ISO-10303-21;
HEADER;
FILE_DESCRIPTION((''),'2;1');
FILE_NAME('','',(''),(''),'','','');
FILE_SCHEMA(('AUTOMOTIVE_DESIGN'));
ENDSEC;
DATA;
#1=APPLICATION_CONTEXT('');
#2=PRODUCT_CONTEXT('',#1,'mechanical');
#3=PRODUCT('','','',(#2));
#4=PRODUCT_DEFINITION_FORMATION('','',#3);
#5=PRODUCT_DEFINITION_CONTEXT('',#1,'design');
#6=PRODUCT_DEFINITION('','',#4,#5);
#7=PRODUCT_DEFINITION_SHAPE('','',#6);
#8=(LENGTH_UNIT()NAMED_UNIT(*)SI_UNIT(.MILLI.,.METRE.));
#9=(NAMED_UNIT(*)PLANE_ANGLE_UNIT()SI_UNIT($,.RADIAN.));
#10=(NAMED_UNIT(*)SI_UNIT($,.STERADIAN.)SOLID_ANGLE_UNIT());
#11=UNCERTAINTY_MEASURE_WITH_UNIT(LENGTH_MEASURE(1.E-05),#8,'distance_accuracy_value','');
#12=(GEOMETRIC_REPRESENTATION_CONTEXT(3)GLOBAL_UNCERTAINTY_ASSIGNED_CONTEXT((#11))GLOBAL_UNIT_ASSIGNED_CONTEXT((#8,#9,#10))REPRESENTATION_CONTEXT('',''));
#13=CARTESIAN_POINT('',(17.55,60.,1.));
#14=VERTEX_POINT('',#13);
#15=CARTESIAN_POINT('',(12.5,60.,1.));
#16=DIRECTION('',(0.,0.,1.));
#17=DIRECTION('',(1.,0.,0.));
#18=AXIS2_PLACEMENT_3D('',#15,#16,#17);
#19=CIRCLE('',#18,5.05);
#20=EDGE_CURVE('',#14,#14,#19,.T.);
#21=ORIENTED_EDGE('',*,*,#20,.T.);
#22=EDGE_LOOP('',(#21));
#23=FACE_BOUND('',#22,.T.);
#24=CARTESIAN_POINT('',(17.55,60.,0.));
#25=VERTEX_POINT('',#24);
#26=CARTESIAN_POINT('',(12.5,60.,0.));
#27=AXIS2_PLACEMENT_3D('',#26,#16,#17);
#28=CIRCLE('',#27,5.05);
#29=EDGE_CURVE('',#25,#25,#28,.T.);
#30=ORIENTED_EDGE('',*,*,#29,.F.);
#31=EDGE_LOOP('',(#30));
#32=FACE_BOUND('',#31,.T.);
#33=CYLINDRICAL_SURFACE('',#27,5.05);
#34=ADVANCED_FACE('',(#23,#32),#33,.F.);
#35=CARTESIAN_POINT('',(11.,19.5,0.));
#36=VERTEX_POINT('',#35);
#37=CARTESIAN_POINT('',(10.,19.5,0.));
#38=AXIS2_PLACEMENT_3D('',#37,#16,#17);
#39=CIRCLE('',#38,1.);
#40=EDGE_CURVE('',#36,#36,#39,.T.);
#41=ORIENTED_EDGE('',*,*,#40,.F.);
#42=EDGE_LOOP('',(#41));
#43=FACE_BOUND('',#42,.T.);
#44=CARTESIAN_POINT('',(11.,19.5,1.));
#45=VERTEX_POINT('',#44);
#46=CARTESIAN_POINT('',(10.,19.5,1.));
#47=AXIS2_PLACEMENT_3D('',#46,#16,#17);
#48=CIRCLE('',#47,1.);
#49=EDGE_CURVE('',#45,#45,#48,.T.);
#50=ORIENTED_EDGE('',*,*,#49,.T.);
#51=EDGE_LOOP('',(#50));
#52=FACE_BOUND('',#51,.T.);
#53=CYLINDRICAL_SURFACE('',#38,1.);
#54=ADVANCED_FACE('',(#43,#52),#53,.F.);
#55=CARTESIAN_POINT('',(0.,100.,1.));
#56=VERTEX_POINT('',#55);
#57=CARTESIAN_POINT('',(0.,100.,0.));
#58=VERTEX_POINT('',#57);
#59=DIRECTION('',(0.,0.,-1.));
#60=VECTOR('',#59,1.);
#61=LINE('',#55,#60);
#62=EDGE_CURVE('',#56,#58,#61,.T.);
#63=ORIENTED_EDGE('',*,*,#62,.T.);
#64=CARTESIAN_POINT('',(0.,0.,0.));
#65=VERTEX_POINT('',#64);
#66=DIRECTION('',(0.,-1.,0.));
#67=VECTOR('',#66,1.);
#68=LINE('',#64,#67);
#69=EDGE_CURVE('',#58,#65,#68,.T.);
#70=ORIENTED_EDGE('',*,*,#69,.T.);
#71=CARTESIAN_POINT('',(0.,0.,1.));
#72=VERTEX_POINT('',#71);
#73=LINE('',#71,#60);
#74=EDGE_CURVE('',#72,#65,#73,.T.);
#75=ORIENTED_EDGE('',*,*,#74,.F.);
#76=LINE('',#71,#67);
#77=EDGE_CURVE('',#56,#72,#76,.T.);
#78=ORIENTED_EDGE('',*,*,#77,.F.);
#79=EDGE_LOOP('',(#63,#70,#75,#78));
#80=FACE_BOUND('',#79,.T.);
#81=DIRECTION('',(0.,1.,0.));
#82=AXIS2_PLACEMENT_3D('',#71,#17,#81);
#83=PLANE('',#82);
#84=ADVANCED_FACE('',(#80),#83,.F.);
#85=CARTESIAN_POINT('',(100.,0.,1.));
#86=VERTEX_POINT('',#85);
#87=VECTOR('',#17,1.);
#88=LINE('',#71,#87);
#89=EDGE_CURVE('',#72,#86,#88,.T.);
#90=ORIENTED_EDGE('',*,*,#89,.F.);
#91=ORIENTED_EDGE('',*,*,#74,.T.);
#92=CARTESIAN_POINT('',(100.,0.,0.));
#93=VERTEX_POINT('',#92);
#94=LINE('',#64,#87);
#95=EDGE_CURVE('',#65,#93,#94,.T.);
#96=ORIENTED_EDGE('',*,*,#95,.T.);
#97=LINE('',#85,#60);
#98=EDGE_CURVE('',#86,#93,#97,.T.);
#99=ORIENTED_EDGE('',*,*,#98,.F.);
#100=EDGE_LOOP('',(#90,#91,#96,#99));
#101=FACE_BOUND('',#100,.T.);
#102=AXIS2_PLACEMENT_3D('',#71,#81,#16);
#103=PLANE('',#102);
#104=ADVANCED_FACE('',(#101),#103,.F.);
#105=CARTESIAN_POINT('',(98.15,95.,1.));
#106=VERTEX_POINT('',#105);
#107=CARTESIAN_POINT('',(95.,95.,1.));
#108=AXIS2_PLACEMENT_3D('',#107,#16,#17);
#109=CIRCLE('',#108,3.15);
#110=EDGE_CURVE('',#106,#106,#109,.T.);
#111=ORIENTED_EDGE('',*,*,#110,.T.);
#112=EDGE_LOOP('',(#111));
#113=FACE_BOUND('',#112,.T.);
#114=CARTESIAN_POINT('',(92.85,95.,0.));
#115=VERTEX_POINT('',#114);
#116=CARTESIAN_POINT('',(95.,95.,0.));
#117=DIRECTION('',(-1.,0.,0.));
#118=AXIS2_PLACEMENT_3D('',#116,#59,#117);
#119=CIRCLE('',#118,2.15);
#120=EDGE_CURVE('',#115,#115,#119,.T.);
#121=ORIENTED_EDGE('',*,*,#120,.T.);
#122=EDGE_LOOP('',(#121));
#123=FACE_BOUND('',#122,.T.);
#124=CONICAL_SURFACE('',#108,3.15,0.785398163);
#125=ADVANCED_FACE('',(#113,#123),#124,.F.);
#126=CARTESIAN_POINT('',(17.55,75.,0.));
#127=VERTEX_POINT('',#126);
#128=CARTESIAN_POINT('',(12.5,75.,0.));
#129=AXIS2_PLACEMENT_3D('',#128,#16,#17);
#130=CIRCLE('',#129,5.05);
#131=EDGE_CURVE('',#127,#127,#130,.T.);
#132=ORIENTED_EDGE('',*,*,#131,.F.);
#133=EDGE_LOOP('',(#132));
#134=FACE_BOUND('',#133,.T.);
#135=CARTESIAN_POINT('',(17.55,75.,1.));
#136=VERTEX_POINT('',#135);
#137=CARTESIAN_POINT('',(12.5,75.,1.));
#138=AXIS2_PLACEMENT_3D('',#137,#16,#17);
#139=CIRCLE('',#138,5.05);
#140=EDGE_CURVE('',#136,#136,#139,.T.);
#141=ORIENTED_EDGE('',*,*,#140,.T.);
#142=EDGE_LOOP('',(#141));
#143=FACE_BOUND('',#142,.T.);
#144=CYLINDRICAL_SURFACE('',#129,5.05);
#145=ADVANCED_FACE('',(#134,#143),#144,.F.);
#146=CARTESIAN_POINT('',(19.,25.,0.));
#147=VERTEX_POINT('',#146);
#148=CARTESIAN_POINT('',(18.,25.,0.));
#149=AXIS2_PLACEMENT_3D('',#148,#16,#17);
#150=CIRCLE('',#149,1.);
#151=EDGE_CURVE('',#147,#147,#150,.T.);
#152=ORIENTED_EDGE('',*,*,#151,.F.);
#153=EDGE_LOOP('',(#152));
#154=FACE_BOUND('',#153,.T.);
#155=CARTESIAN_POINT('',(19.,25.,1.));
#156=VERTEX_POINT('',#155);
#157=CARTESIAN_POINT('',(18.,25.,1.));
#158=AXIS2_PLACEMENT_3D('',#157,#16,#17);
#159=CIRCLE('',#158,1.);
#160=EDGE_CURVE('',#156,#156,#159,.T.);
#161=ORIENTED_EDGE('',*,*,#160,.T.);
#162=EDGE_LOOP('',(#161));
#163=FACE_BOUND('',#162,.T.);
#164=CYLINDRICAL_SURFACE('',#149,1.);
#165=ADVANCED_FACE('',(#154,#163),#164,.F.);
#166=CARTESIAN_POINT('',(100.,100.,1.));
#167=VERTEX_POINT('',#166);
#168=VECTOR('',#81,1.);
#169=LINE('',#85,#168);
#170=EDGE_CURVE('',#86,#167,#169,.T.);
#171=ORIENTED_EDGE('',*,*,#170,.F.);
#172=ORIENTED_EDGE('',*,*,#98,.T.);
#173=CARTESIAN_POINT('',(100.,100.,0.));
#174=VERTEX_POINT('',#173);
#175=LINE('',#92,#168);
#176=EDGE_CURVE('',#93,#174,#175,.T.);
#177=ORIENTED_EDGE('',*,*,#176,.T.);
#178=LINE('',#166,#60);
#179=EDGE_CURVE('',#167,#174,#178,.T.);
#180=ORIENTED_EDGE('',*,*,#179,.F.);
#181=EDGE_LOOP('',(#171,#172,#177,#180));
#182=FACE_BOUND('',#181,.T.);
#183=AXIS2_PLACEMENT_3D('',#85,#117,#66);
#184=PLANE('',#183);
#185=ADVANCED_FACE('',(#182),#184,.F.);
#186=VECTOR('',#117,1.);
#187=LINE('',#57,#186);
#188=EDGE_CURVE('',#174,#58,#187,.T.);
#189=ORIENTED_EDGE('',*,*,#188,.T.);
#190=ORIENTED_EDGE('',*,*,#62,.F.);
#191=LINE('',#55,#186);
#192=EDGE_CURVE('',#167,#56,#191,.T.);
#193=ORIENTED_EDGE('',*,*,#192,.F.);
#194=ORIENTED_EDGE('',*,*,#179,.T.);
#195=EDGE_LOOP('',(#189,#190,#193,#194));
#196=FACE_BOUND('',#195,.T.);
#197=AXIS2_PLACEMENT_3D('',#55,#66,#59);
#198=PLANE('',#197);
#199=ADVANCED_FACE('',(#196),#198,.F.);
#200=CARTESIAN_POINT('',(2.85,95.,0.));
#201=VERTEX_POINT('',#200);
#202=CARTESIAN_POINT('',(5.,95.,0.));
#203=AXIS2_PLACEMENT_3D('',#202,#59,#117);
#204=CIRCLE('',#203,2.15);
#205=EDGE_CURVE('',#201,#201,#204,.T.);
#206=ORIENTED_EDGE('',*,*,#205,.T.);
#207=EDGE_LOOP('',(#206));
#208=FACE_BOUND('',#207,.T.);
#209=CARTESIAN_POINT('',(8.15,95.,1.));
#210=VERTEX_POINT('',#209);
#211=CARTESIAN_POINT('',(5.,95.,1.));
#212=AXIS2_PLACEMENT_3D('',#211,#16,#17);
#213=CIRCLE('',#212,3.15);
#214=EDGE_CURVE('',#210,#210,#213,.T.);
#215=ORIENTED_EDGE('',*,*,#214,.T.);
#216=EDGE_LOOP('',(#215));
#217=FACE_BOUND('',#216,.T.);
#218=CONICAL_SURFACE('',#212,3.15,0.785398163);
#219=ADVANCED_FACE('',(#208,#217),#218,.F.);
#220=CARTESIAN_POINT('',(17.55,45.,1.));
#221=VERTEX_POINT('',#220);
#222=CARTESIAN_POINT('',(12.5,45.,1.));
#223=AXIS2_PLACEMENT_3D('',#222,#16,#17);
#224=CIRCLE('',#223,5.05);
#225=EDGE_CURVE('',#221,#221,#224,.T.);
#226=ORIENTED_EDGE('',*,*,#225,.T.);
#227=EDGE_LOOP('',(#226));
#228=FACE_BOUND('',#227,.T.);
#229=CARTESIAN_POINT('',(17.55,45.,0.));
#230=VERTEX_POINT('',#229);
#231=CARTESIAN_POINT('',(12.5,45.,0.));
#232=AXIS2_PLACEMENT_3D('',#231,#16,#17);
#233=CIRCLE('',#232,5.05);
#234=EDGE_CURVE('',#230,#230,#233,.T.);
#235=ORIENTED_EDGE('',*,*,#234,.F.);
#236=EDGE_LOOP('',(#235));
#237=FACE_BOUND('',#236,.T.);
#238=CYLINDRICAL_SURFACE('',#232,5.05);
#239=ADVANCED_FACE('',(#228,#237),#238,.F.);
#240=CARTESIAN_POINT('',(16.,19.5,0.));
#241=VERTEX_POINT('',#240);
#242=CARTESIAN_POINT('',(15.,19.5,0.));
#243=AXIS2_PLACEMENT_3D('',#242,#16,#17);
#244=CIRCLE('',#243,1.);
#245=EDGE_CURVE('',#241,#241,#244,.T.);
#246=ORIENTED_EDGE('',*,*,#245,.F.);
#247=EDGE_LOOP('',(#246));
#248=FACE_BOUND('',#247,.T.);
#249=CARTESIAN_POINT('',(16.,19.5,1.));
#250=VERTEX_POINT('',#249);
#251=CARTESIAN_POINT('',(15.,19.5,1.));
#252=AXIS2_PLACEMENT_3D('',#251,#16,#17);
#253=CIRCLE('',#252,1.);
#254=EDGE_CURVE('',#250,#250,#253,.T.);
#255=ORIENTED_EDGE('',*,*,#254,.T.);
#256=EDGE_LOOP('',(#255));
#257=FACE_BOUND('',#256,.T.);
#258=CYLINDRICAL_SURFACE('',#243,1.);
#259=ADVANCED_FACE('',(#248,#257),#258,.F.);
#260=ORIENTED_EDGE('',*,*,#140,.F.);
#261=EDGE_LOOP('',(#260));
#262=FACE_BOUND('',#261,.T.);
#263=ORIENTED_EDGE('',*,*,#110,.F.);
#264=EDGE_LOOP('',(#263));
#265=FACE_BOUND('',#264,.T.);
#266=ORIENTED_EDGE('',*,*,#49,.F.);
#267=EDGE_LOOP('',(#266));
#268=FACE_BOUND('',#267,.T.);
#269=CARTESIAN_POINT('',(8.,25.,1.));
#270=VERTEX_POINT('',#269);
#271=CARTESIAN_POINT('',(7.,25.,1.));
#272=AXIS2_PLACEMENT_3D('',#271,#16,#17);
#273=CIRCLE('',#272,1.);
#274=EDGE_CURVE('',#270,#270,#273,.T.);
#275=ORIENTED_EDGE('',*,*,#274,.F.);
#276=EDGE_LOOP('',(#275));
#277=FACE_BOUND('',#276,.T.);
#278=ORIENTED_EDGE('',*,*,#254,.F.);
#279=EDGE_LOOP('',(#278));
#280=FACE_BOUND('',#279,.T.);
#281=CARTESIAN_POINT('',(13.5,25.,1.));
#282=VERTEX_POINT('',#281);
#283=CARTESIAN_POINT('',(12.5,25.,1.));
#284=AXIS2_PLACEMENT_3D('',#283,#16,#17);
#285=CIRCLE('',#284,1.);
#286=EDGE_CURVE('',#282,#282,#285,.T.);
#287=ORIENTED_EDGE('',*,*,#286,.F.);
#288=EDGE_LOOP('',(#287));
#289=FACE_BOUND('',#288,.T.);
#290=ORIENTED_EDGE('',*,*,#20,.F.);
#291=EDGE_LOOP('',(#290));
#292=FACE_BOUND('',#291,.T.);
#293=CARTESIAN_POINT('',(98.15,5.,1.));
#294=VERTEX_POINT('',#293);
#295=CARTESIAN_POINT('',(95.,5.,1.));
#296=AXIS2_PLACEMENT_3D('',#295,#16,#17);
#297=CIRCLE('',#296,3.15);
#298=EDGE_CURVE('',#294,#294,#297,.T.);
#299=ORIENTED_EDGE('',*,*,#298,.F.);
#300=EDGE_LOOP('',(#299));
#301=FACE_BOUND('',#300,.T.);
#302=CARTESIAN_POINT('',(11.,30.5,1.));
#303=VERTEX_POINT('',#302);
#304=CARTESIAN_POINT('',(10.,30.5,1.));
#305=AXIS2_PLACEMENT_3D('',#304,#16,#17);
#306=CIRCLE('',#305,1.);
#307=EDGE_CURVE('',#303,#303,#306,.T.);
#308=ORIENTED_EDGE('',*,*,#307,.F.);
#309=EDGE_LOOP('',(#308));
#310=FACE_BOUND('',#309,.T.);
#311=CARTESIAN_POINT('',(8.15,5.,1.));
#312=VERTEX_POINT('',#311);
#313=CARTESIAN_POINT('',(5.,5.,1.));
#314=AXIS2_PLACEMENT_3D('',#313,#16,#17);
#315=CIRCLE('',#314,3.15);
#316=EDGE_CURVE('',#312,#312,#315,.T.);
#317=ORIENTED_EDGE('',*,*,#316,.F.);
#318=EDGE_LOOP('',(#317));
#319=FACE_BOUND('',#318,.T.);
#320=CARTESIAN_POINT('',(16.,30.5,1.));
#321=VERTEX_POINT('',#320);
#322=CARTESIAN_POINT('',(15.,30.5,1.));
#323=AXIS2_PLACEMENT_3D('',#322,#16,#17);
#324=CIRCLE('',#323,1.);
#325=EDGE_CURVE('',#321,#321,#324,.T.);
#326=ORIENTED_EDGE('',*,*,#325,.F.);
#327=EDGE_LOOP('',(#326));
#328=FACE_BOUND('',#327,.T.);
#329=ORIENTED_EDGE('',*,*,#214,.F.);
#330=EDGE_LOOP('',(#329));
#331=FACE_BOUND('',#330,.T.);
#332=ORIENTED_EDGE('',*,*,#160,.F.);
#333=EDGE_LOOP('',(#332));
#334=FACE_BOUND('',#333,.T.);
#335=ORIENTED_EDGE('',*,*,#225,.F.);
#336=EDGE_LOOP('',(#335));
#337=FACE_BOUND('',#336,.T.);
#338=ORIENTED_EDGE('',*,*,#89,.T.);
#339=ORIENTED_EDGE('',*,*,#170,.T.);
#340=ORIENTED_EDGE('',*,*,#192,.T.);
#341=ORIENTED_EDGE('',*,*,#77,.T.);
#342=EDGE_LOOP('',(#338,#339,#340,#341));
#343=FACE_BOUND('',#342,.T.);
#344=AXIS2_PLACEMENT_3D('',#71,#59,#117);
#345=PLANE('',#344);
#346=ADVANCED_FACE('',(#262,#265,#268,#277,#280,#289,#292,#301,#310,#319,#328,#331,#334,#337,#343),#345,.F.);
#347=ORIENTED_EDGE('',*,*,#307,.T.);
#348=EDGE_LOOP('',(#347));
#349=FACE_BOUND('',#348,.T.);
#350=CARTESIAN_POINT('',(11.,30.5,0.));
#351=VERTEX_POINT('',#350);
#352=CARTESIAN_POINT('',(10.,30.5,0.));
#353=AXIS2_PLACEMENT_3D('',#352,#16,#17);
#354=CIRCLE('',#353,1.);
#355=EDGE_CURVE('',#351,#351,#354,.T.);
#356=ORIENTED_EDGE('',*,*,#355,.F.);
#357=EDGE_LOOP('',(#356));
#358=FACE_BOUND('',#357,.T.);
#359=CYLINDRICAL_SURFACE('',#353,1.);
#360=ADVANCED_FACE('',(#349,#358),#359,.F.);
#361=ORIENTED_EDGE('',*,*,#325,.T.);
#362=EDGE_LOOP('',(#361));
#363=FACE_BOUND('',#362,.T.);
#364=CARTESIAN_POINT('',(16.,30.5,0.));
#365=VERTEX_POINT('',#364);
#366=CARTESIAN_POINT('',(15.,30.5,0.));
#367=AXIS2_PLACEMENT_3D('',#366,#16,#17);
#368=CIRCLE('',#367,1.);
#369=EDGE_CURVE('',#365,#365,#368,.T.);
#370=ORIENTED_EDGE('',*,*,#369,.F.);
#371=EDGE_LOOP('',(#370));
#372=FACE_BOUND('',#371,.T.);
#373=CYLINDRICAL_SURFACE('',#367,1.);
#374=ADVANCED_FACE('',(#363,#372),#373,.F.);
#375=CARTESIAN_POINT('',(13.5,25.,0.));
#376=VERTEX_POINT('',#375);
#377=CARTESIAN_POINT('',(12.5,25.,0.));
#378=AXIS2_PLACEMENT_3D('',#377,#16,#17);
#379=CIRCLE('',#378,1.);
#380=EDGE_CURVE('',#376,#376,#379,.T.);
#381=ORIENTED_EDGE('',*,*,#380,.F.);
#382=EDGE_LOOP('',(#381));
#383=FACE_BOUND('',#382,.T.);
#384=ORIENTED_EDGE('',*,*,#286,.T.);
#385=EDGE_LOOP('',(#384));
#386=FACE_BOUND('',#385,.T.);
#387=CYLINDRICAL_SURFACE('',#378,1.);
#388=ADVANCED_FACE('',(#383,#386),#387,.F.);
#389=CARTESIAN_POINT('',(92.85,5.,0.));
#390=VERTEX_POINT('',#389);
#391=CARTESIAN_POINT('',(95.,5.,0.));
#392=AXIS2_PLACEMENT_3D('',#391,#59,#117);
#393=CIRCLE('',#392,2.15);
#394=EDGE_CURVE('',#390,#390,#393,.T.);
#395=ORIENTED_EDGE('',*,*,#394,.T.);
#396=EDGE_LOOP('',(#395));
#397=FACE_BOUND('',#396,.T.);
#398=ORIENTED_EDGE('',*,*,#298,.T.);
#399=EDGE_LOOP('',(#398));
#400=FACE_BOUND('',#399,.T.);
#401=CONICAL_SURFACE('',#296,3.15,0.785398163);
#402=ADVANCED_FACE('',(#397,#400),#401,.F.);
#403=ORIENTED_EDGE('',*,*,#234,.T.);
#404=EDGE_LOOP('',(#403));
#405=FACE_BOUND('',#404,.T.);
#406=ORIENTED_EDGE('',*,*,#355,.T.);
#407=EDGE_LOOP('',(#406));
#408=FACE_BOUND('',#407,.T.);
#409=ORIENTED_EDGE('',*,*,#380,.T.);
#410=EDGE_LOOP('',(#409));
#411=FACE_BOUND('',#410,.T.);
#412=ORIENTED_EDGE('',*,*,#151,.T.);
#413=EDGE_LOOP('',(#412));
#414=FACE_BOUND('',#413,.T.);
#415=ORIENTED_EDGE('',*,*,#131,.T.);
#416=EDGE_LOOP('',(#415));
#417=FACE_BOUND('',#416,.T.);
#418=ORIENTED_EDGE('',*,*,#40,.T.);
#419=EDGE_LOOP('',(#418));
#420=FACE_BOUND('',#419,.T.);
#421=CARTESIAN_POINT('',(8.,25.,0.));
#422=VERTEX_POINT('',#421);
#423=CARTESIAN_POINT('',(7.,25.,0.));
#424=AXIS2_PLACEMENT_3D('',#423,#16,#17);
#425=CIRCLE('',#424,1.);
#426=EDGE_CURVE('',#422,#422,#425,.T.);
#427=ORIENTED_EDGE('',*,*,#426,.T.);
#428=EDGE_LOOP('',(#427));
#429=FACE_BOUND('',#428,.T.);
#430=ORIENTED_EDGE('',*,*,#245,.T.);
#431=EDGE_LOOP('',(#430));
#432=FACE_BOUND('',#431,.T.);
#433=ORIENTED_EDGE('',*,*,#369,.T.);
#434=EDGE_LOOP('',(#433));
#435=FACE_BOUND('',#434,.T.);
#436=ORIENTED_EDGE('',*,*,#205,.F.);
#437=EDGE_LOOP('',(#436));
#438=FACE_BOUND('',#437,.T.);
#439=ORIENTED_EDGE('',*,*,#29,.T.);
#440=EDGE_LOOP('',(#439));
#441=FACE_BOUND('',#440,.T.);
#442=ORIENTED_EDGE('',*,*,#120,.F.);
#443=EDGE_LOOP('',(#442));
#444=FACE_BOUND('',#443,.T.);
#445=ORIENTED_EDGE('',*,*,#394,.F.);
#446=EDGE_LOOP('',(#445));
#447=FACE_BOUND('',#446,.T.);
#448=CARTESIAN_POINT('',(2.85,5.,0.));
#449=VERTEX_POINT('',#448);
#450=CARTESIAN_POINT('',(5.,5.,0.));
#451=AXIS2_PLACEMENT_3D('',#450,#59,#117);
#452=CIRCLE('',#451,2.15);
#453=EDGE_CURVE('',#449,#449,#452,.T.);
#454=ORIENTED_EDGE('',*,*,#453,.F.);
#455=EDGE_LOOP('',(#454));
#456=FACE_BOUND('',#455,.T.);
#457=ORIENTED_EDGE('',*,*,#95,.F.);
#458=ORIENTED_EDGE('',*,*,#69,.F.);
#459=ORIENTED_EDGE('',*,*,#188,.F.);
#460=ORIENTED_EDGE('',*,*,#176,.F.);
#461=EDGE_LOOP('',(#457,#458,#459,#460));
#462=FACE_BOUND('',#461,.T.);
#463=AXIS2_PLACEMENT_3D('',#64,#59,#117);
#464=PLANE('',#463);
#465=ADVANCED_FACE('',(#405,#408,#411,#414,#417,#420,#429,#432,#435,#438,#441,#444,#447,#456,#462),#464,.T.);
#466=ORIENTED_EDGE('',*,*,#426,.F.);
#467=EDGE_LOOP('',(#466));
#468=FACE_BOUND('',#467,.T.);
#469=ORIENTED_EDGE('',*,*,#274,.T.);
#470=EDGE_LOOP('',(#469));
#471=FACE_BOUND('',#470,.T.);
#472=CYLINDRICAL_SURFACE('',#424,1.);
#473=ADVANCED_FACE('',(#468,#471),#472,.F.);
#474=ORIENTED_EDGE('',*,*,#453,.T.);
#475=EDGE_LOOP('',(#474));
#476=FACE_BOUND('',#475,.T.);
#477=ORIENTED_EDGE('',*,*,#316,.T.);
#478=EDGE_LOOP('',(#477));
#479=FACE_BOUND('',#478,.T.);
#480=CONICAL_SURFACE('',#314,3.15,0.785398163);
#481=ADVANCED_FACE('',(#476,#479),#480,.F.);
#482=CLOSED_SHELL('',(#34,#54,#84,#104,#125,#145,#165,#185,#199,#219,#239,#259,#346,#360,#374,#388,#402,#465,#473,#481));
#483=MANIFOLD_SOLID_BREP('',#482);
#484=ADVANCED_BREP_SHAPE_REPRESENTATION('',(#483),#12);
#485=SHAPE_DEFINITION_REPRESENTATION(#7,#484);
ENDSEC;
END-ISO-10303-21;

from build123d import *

# Parameters (mm, degrees)
ESQUISSE1_W                                 = 100
ESQUISSE1_H                                 = 100
BOSS_EXTRU_1_DEPTH                          = 1
FRAISAGE_POUR_VIS_T_TE_FRAIS_E_M31_AT_COUNT = 2
FRAISAGE_POUR_VIS_T_TE_FRAIS_E_M31_AT_PITCH = 90
FRAISAGE_POUR_VIS_T_TE_FRAIS_E_M31_2_COUNT  = 2
FRAISAGE_POUR_VIS_T_TE_FRAIS_E_M31_2_PITCH  = 127.279220614
FRAISAGE_POUR_VIS_T_TE_FRAIS_E_M31_3_COUNT  = 2
FRAISAGE_POUR_VIS_T_TE_FRAIS_E_M31_3_PITCH  = 90
ESQUISSE4_R                                 = 5.05
ESQUISSE4_R_2                               = 1
ENL_V_MAT_EXTRU_1_DEPTH                     = 2


with BuildPart() as part:
    # Esquisse1 → Boss.-Extru.1 (new body)
    with BuildSketch(Plane.XY):
        with Locations((50, 50)):
            Rectangle(ESQUISSE1_W, ESQUISSE1_H)
    extrude(amount=BOSS_EXTRU_1_DEPTH)

    # Esquisse3 → Fraisage pour vis à tête fraisée M31 (revolve, cut)
    with BuildSketch(Plane(origin=(5, 95, 1), x_dir=(0, -1, 0), z_dir=(1, 0, 0))):
        Polygon((0, 0), (0, 1), (1.8, 1), (1.8, 1.35), (3.15, 0), align=None)
    fraisage_pour_vis_t_te_frais_e_m31 = revolve(axis=Axis((5, 95, 7.35), (0, 0, -1)), mode=Mode.SUBTRACT)

    # Fraisage pour vis à tête fraisée M31 at: Fraisage pour vis à tête fraisée M31 ×2
    with Locations(*[(i * FRAISAGE_POUR_VIS_T_TE_FRAIS_E_M31_AT_PITCH, 0, 0) for i in range(1, FRAISAGE_POUR_VIS_T_TE_FRAIS_E_M31_AT_COUNT)]):
        add(fraisage_pour_vis_t_te_frais_e_m31, mode=Mode.SUBTRACT)

    # Fraisage pour vis _ t_te frais_e M31 2: Fraisage pour vis à tête fraisée M31 ×2
    with Locations(*[Vector(0.707106781, -0.707106781, 0) * (i * FRAISAGE_POUR_VIS_T_TE_FRAIS_E_M31_2_PITCH) for i in range(1, FRAISAGE_POUR_VIS_T_TE_FRAIS_E_M31_2_COUNT)]):
        add(fraisage_pour_vis_t_te_frais_e_m31, mode=Mode.SUBTRACT)

    # Fraisage pour vis _ t_te frais_e M31 3: Fraisage pour vis à tête fraisée M31 ×2
    with Locations(*[(0, -i * FRAISAGE_POUR_VIS_T_TE_FRAIS_E_M31_3_PITCH, 0) for i in range(1, FRAISAGE_POUR_VIS_T_TE_FRAIS_E_M31_3_COUNT)]):
        add(fraisage_pour_vis_t_te_frais_e_m31, mode=Mode.SUBTRACT)

    # Esquisse4 → Enlèv. mat.-Extru.1 (cut, through all)
    with BuildSketch(Plane.XY.offset(1)):
        with Locations((12.5, 75)):
            Circle(ESQUISSE4_R)
        with Locations((12.5, 25)):
            Circle(ESQUISSE4_R_2)
        with Locations((10, 19.5)):
            Circle(ESQUISSE4_R_2)
        with Locations((7, 25)):
            Circle(ESQUISSE4_R_2)
        with Locations((18, 25)):
            Circle(ESQUISSE4_R_2)
        with Locations((10, 30.5)):
            Circle(ESQUISSE4_R_2)
        with Locations((15, 30.5)):
            Circle(ESQUISSE4_R_2)
        with Locations((15, 19.5)):
            Circle(ESQUISSE4_R_2)
        with Locations((12.5, 60)):
            Circle(ESQUISSE4_R)
        with Locations((12.5, 45)):
            Circle(ESQUISSE4_R)
    extrude(amount=-ENL_V_MAT_EXTRU_1_DEPTH, mode=Mode.SUBTRACT)


solid = part.part
